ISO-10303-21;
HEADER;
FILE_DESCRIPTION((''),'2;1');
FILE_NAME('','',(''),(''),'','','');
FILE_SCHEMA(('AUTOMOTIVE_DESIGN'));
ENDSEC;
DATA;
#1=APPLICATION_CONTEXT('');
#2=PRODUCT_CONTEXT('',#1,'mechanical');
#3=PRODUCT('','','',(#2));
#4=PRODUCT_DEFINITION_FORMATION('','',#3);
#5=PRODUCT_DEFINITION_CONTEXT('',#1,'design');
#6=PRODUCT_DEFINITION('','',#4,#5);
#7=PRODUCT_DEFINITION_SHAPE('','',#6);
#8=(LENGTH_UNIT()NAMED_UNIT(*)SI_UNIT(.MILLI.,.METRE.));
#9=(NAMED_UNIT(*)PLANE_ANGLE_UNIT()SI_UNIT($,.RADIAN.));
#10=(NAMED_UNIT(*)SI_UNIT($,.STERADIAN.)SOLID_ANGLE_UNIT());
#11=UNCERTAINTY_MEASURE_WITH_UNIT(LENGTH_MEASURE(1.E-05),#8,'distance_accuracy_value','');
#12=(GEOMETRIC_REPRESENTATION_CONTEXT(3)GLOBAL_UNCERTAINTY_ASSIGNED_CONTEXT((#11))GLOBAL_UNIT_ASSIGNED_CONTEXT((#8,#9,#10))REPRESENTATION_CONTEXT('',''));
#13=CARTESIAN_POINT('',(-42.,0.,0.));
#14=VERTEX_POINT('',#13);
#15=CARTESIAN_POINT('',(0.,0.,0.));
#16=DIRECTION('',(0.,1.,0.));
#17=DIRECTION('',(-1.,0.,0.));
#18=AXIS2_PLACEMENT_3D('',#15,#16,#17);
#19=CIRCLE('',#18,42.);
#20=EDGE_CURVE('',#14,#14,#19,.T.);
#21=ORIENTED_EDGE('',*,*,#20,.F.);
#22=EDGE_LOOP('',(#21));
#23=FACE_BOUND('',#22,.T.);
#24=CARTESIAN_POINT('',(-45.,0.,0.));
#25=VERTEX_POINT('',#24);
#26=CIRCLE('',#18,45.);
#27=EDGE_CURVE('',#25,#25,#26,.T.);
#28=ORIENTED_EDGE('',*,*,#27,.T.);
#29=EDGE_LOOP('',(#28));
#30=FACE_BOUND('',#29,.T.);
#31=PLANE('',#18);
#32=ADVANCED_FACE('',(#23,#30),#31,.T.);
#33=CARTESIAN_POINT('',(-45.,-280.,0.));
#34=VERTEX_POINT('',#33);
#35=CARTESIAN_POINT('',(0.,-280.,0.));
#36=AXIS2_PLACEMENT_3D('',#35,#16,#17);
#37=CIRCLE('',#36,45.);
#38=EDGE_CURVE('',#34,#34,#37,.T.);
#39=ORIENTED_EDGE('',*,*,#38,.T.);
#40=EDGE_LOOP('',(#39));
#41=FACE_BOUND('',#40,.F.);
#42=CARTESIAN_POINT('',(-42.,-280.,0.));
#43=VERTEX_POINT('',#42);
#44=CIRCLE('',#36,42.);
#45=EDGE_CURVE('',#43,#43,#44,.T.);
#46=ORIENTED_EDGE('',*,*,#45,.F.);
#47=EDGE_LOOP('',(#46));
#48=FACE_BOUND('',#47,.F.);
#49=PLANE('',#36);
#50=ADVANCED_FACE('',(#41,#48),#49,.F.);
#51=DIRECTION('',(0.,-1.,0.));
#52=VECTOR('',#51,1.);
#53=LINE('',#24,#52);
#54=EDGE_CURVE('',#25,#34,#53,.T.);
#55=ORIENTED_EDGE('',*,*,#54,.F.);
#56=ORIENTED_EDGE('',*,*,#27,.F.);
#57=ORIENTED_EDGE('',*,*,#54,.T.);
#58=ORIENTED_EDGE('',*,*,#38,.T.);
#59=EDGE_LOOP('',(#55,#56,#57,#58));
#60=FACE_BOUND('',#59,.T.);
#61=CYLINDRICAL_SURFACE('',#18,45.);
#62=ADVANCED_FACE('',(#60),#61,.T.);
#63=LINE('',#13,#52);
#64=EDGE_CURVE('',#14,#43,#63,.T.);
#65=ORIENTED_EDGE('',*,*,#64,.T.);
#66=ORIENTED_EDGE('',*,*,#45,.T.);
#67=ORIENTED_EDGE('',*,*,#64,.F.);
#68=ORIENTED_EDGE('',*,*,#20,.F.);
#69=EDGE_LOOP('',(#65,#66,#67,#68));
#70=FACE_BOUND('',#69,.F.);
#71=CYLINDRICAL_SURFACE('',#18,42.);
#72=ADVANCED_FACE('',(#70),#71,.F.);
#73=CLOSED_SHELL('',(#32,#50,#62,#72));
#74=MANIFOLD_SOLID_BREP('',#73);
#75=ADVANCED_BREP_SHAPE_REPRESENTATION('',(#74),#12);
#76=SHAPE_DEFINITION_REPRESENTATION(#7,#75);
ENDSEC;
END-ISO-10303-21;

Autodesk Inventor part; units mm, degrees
ref_plane "YZ Plane" through (0, 0, 0) normal (1, 0, 0) x (0, 1, 0)
ref_plane "XZ Plane" through (0, 0, 0) normal (0, 1, 0) x (-1, 0, 0)
ref_plane "XY Plane" through (0, 0, 0) normal (0, 0, 1) x (1, 0, 0)
sketch "Sketch1" plane through (0, 0, 0) normal (0, 1, 0) x (-1, 0, 0)
  circle A0 centre (0, 0) radius 45
  circle A1 centre (0, 0) radius 42
  dimension "d0" = 90
  dimension "d1" = 3
extrude "Extrusion1" add sketch "Sketch1" against normal blind 280
properties part number "PNS 1613 FDS tube 3"
